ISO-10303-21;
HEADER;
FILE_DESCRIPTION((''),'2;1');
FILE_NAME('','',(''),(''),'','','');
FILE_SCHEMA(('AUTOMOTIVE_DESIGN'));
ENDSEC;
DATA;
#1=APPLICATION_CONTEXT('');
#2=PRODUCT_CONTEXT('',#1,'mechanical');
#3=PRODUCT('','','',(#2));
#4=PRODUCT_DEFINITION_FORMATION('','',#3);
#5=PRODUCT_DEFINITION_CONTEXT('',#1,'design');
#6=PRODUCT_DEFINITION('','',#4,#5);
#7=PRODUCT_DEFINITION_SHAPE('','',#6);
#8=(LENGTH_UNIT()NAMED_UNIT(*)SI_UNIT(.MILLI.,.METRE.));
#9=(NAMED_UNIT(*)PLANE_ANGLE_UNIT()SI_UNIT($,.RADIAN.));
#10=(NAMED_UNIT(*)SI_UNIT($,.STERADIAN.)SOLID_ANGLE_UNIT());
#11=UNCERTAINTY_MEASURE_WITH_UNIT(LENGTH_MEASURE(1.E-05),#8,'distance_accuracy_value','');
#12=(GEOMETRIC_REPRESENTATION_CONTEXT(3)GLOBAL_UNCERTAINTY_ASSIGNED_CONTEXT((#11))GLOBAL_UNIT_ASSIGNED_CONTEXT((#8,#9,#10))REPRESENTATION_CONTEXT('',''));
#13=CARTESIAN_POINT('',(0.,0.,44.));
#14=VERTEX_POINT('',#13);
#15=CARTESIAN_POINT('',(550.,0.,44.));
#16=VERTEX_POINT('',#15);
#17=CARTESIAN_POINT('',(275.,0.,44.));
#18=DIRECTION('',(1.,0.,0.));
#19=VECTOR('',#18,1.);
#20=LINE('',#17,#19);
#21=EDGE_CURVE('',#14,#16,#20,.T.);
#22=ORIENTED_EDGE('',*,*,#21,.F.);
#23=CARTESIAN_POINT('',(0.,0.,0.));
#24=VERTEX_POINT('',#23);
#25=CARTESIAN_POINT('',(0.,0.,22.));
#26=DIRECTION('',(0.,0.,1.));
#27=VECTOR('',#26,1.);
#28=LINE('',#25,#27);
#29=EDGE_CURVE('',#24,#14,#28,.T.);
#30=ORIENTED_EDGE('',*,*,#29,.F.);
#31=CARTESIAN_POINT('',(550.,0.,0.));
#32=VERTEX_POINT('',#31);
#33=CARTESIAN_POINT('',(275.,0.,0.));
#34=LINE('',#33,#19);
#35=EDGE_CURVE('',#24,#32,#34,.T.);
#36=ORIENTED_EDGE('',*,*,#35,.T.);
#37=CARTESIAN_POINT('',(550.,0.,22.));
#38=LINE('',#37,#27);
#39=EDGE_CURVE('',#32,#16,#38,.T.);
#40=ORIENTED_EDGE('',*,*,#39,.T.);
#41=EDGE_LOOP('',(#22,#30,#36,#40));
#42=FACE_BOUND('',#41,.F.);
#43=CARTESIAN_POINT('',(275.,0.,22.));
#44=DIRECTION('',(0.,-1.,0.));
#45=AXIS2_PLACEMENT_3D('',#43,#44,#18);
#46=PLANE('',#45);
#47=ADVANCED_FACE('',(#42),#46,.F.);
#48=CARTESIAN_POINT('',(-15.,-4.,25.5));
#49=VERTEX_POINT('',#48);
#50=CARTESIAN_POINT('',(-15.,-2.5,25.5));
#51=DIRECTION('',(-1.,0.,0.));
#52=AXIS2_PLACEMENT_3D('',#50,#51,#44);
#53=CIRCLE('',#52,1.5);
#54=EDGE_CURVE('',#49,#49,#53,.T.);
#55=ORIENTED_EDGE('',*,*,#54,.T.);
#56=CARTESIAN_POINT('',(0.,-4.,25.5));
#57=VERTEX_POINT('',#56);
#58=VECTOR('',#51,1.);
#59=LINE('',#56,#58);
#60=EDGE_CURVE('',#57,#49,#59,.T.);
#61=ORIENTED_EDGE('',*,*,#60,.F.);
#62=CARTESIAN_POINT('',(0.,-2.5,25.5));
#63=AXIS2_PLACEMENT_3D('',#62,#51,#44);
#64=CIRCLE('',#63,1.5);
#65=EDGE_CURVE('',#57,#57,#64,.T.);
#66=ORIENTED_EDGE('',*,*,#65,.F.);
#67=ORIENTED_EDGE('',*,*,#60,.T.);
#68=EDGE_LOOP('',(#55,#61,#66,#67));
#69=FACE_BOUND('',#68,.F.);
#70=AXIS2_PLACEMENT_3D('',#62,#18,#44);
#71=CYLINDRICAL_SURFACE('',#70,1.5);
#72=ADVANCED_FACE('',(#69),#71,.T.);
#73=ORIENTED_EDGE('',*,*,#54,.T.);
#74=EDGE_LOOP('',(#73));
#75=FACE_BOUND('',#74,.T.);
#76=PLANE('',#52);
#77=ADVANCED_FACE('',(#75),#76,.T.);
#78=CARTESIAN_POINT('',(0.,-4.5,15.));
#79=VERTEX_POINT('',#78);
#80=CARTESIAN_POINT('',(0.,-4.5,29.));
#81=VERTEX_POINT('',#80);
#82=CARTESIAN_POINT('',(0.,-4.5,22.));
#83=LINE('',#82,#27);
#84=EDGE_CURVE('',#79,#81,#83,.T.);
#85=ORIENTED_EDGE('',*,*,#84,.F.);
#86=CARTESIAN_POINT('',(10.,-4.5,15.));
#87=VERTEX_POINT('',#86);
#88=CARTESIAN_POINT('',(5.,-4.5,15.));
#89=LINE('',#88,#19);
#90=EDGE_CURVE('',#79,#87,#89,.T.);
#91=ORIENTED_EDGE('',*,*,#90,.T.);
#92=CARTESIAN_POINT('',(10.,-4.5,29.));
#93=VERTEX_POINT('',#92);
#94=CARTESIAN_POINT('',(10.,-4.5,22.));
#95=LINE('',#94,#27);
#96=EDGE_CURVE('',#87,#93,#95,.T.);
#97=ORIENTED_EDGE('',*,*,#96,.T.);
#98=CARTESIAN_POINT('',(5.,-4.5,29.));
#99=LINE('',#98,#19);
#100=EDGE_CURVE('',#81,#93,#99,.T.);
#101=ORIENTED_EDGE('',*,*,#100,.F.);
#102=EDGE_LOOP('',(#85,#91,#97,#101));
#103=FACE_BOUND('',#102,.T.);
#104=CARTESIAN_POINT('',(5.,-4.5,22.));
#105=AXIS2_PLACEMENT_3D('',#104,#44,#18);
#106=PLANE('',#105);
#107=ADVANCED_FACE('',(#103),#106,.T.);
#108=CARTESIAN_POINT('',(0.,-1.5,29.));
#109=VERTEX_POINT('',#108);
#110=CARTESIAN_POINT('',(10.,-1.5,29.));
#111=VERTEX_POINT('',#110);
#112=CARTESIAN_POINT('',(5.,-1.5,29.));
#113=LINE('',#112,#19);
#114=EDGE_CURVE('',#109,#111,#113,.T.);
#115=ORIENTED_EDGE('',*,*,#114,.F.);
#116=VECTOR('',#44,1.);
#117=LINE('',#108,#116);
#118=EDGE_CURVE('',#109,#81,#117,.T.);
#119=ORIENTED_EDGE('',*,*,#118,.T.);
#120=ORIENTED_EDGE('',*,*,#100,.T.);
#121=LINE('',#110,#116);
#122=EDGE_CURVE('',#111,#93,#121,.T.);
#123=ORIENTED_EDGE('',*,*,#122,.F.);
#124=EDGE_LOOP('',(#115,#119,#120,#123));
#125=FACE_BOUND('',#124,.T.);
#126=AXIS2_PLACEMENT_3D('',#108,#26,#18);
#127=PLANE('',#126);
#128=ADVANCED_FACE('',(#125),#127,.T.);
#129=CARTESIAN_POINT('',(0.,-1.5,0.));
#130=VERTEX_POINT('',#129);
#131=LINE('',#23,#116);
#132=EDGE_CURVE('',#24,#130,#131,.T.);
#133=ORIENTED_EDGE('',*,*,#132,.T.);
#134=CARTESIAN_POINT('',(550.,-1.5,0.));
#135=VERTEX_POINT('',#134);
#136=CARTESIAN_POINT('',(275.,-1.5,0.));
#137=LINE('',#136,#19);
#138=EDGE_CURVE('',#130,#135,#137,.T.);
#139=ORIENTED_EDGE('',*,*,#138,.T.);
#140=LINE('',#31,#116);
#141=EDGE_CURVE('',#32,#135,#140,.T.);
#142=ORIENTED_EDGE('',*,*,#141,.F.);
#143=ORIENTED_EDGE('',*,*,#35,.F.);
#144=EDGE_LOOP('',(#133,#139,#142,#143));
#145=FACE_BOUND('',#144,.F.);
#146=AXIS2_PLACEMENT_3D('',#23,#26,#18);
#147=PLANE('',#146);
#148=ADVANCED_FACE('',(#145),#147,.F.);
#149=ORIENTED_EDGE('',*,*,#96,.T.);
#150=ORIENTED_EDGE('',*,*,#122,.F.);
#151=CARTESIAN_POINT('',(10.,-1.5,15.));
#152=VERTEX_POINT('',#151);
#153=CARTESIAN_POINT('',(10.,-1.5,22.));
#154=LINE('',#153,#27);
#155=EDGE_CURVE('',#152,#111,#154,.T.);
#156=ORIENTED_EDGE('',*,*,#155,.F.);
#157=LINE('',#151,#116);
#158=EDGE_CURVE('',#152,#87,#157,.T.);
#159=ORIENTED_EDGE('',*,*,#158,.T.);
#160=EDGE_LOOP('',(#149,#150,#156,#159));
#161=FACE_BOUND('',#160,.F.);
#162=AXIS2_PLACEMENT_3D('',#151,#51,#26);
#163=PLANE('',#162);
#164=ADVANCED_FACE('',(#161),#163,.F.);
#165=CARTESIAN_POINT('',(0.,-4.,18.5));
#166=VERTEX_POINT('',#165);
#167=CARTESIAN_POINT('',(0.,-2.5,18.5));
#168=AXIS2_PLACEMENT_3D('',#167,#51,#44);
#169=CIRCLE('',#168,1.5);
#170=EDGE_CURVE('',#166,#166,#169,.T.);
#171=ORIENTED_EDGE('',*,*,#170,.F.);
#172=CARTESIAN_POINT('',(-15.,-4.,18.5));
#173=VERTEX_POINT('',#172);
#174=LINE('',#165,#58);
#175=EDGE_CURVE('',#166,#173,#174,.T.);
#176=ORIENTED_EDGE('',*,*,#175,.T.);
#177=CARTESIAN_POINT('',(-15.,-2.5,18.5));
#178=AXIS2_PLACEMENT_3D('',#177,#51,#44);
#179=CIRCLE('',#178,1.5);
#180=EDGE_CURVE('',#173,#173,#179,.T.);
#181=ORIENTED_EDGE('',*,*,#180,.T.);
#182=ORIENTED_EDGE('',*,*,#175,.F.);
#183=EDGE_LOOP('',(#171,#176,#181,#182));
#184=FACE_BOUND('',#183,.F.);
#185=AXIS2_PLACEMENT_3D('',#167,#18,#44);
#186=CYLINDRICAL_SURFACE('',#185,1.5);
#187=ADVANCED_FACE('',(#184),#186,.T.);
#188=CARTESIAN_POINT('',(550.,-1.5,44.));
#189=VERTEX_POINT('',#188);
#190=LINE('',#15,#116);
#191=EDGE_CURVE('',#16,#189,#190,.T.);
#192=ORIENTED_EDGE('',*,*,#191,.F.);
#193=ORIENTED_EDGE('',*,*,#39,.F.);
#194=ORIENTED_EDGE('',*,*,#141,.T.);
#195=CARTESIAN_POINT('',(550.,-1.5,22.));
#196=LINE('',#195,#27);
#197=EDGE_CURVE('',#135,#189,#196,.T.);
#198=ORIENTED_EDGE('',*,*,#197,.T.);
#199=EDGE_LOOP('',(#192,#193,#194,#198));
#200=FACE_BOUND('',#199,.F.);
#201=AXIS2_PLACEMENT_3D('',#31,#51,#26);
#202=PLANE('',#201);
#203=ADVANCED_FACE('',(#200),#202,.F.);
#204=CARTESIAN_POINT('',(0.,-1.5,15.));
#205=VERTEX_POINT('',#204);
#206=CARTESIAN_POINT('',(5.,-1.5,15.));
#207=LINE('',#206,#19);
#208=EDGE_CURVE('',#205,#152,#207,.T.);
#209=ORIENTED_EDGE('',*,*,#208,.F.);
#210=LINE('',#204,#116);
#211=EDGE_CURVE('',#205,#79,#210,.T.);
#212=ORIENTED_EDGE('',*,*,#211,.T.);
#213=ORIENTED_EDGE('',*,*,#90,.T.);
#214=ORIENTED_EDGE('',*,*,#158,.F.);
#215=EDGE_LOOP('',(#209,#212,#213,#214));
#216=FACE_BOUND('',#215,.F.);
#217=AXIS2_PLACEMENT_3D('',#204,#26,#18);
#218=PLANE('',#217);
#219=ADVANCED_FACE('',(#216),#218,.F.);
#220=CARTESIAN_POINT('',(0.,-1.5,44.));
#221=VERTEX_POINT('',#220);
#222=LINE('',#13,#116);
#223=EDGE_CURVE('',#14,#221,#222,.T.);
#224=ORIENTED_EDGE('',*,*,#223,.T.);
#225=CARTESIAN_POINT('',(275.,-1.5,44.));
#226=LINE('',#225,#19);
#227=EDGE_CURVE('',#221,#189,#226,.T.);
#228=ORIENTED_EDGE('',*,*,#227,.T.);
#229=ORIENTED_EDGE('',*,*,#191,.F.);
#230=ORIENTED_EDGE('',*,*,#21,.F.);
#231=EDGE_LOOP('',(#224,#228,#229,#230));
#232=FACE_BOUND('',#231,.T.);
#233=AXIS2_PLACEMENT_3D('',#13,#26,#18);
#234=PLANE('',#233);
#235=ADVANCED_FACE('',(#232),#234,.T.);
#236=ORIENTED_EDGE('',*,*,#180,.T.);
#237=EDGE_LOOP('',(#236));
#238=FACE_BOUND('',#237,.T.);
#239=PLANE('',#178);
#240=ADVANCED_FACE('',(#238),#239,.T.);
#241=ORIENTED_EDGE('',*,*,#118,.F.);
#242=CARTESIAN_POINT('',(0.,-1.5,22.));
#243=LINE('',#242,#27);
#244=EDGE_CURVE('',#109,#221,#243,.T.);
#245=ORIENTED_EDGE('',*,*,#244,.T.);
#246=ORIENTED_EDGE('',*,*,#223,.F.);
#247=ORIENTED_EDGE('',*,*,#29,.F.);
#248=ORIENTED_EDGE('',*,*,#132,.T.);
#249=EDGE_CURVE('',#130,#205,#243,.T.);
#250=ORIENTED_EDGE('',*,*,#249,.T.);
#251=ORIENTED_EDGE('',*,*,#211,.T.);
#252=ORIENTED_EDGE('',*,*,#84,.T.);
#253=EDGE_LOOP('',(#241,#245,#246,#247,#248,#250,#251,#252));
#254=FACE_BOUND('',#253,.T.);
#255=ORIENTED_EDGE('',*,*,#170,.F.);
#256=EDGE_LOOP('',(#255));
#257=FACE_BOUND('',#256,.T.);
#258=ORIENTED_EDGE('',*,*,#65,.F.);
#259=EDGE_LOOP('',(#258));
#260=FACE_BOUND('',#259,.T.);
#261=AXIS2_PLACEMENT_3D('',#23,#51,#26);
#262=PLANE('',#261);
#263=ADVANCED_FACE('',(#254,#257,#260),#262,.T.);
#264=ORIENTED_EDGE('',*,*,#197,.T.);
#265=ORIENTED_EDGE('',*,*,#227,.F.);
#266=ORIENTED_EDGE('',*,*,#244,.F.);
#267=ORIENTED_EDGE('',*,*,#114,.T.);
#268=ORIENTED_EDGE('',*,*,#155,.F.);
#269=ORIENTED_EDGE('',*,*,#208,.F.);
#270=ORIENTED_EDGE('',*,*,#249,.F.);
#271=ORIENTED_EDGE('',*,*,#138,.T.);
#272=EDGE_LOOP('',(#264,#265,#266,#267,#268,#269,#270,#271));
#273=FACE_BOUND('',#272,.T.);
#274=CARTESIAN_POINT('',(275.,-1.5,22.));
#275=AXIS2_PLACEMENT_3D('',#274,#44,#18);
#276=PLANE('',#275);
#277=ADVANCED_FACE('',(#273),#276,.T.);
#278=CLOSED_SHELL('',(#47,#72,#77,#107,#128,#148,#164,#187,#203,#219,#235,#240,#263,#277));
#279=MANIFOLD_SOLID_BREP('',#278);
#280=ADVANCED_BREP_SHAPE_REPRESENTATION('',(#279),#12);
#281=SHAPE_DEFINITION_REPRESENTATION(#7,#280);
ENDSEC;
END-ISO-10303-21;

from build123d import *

# Parameters (mm, degrees)
F0_W     = 550
F0_H     = 44
F1_DEPTH = 1.5
F2_W     = 10
F2_H     = 14
F3_DEPTH = 3
F4_R     = 1.5
F5_DEPTH = 15


with BuildPart() as f1:
    # F0 (on Front) → F1 (new body)
    with BuildSketch(Plane.XZ):
        with Locations((275, 22)):
            Rectangle(F0_W, F0_H)
    extrude(amount=F1_DEPTH)

    # F2 (on face) → F3 (join)
    with BuildSketch(Plane.XZ.offset(1.5)):
        with Locations((5, 22)):
            Rectangle(F2_W, F2_H)
    extrude(amount=F3_DEPTH)

    # F4 (on face) → F5 (join)
    with BuildSketch(Plane(origin=(0, 0, 0), x_dir=(0, -1, 0), z_dir=(-1, 0, 0))):
        with Locations((2.5, 25.5)):
            Circle(F4_R)
        with Locations((2.5, 18.5)):
            Circle(F4_R)
    extrude(amount=F5_DEPTH)


solid = f1.part
